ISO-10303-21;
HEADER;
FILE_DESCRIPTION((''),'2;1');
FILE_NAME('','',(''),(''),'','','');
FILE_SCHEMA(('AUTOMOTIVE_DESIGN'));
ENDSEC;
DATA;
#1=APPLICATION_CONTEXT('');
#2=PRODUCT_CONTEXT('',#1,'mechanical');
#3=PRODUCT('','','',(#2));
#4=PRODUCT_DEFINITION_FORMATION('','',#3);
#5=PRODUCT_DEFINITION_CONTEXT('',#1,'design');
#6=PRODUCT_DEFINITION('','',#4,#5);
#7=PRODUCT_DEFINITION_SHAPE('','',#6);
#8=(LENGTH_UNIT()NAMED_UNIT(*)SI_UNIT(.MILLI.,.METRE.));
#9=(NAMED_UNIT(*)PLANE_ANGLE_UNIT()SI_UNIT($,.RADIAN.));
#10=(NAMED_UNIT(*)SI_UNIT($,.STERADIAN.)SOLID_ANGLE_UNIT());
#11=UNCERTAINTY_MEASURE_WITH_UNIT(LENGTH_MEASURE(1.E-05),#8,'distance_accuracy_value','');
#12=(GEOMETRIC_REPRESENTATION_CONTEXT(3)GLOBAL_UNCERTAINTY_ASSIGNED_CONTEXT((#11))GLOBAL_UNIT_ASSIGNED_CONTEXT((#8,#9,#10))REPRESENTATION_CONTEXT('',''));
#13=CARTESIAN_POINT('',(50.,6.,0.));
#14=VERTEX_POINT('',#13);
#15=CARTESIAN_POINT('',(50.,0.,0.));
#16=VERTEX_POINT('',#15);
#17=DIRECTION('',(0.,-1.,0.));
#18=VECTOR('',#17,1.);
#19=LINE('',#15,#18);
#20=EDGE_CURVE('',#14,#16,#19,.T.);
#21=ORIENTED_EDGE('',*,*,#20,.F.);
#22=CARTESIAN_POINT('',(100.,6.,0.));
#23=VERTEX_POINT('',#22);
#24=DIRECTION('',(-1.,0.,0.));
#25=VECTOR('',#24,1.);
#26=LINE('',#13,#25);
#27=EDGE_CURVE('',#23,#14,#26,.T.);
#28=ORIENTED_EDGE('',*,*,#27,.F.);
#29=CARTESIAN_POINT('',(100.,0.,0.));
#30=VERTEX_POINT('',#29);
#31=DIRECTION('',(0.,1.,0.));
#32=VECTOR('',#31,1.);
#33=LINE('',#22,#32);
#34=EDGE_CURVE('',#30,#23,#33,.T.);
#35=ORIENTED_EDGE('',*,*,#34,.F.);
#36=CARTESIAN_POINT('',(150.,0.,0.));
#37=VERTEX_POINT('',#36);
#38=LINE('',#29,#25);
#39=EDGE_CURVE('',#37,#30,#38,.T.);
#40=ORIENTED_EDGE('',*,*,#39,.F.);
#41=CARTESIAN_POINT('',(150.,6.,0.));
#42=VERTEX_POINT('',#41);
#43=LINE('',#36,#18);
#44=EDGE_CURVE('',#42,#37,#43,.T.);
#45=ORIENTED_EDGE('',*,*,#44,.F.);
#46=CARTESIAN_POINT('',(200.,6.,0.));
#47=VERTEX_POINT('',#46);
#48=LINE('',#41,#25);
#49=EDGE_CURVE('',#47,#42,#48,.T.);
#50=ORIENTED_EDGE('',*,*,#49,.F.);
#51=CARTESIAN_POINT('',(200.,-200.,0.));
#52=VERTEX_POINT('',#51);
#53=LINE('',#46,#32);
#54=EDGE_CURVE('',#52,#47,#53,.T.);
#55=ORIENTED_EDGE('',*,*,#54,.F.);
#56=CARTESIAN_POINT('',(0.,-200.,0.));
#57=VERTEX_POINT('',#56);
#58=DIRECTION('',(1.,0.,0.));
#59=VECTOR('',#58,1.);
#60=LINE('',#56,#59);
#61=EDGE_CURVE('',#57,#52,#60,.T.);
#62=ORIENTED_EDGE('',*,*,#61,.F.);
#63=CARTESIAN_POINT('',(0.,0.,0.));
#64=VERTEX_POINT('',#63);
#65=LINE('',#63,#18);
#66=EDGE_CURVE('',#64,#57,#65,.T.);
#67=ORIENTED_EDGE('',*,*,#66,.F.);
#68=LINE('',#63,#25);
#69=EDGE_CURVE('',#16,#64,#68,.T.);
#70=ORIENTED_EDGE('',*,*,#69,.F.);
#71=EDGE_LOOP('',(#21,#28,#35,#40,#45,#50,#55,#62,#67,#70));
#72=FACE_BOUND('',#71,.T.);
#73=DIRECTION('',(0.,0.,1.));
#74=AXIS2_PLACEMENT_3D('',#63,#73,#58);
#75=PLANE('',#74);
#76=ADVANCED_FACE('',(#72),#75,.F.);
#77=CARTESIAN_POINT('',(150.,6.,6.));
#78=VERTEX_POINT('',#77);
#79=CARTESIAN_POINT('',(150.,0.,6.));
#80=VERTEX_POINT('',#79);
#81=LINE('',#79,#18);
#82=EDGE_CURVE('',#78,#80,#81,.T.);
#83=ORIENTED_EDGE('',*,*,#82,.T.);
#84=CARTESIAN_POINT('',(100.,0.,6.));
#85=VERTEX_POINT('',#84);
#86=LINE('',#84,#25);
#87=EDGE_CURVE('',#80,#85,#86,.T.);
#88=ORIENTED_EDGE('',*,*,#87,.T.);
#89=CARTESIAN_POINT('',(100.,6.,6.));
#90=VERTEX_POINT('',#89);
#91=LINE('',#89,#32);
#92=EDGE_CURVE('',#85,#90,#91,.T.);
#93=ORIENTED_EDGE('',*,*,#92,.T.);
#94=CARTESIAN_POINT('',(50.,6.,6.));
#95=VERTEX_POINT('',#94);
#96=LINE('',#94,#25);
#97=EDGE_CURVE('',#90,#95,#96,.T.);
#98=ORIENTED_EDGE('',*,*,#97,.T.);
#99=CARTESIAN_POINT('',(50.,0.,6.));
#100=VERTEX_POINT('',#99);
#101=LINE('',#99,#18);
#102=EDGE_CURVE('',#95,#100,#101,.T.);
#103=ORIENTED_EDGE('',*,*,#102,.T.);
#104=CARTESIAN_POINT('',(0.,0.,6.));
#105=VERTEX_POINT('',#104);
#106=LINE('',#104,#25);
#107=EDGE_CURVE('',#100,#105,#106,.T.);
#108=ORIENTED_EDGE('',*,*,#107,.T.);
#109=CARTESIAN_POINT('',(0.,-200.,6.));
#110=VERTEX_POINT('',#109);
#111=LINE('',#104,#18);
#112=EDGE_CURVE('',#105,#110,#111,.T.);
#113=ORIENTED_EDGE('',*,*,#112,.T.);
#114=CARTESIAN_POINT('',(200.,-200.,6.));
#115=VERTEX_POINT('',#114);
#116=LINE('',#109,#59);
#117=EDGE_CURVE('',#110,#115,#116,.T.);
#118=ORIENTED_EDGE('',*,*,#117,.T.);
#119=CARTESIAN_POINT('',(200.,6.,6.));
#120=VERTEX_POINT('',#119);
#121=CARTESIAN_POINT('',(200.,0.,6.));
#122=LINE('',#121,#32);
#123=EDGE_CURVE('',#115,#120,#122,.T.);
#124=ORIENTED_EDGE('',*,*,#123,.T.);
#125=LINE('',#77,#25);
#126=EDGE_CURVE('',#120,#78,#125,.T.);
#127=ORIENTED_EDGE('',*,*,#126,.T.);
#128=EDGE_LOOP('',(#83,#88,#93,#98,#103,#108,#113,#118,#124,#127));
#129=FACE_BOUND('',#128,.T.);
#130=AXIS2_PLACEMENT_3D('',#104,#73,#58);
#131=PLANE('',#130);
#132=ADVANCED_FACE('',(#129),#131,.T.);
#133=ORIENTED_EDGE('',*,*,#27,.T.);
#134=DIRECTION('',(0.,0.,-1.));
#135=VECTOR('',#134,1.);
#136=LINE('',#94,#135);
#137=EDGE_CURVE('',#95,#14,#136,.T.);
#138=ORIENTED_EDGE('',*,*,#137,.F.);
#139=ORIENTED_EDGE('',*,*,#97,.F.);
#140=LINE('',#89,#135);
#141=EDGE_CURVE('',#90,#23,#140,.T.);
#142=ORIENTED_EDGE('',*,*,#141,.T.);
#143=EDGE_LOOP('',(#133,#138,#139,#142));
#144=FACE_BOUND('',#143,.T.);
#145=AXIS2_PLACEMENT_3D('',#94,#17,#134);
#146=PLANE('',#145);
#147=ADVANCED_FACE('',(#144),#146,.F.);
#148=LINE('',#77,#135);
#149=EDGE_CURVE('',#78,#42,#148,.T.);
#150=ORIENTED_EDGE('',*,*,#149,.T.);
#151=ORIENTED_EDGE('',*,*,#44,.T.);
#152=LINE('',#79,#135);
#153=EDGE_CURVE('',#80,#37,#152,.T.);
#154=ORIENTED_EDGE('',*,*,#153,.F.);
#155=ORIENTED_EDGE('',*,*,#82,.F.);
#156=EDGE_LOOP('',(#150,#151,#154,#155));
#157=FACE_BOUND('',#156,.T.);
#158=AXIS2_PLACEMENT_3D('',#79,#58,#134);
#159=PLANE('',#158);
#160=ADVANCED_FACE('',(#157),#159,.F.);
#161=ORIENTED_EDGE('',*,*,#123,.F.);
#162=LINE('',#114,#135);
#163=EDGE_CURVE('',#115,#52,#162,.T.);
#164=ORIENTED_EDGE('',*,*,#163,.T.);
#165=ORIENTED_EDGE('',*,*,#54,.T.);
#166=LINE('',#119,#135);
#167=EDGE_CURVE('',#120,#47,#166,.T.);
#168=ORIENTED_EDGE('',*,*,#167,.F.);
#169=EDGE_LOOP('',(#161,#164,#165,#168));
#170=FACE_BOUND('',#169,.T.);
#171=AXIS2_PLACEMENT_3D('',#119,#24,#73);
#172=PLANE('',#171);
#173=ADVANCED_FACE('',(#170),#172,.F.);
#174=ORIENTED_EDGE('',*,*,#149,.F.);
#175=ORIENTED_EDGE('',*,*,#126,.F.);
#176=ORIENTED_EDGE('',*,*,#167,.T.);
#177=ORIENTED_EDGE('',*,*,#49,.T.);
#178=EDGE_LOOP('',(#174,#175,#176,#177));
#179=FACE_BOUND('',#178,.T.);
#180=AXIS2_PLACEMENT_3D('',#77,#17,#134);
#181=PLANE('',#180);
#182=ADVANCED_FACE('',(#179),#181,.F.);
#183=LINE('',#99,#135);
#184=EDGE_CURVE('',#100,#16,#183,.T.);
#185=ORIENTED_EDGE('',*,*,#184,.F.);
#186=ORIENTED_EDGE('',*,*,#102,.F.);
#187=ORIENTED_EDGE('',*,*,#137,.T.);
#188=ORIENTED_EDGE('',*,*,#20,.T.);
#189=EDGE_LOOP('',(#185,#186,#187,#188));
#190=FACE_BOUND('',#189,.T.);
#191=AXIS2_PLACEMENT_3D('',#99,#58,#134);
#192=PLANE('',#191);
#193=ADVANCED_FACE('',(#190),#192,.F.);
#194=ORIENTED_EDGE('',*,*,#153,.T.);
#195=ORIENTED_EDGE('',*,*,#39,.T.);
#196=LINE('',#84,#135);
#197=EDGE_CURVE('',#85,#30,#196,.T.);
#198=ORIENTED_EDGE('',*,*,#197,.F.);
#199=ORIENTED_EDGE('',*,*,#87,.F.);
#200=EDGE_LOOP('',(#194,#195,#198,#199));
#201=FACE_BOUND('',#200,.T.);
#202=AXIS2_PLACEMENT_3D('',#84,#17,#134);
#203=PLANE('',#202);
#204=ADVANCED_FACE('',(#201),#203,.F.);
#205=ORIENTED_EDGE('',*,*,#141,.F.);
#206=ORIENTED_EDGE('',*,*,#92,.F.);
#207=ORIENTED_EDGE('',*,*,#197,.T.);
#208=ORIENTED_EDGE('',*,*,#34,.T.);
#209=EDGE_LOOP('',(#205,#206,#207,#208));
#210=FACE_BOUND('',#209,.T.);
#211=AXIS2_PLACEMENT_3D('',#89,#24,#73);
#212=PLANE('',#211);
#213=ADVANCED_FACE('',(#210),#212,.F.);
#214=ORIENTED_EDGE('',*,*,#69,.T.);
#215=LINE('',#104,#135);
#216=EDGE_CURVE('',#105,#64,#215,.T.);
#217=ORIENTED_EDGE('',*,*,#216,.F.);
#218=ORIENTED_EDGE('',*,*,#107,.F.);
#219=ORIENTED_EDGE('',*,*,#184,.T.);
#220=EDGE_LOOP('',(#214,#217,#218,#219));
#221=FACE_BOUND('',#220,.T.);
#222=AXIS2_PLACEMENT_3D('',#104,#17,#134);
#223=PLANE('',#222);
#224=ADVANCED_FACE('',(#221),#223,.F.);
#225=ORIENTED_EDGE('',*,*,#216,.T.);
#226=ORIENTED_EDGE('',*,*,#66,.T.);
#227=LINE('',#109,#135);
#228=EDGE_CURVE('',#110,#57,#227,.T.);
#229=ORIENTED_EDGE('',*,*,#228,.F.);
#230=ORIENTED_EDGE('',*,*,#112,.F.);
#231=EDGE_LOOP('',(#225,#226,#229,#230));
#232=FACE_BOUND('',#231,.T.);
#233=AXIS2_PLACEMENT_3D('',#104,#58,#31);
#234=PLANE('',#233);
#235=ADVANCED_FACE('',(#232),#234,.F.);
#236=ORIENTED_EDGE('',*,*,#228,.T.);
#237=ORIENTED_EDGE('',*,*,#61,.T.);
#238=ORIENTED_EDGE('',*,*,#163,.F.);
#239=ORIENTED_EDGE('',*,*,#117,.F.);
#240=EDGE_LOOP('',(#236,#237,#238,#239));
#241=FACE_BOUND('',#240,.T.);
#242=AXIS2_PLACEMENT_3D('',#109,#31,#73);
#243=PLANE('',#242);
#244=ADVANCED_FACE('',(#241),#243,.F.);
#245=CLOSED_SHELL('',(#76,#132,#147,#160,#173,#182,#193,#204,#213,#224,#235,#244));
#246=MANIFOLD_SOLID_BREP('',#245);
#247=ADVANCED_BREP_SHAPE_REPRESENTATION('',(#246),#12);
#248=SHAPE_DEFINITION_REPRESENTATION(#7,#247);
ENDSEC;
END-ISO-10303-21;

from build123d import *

# Parameters (mm, degrees)
BOSS_EXTRU_1_DEPTH = 6


with BuildPart() as part:
    # Esquisse1 → Boss.-Extru.1 (new body)
    with BuildSketch(Plane.XY):
        Polygon((0, 0), (50, 0), (50, 6), (100, 6), (100, 0), (150, 0), (150, 6), (200, 6), (200, 0), (200, -200), (0, -200), align=None)
    extrude(amount=BOSS_EXTRU_1_DEPTH)


solid = part.part
